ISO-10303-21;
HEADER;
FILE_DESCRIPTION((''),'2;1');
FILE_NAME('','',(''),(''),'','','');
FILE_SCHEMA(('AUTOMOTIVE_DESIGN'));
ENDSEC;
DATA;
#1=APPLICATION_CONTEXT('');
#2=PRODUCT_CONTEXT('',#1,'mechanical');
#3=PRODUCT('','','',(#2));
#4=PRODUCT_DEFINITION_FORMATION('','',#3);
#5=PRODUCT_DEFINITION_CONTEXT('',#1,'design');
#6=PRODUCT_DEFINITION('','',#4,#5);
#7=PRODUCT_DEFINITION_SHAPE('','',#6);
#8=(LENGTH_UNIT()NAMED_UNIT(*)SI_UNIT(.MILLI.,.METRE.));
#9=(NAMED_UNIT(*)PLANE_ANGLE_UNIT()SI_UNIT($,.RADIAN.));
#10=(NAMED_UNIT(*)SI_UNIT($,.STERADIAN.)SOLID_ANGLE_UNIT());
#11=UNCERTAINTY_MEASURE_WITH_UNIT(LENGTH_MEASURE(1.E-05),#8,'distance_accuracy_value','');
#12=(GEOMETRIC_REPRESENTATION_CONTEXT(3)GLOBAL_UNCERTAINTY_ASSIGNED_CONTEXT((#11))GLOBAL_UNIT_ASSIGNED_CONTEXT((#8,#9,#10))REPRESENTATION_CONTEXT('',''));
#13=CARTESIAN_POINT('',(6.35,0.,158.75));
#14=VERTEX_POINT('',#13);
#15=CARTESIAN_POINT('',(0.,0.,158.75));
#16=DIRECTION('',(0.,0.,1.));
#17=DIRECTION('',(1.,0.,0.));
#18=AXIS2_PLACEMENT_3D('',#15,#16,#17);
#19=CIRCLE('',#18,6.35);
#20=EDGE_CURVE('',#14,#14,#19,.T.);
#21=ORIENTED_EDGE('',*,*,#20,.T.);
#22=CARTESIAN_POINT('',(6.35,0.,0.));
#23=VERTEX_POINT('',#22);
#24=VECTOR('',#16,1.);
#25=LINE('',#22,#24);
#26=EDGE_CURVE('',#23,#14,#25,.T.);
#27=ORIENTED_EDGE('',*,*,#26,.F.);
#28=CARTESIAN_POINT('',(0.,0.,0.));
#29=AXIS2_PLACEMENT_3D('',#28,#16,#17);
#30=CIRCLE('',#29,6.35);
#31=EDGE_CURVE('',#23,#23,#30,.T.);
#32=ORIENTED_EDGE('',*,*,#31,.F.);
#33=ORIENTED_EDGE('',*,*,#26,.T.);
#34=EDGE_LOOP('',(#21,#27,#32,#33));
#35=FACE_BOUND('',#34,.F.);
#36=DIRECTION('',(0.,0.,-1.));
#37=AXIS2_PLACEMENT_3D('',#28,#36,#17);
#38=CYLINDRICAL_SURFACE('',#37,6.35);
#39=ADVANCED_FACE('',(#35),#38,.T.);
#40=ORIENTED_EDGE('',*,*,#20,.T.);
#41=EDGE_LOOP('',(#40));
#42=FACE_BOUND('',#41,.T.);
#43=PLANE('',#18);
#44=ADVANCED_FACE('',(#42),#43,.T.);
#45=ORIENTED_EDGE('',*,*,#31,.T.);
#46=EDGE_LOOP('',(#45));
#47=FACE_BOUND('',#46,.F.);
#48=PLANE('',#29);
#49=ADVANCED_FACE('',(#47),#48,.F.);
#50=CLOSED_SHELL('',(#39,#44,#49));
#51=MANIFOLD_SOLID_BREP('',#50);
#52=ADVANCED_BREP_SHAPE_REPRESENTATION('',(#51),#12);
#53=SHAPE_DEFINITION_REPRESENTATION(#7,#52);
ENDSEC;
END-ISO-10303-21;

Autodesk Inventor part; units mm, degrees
ref_plane "YZ Plane" through (0, 0, 0) normal (1, 0, 0) x (0, 1, 0)
ref_plane "XZ Plane" through (0, 0, 0) normal (0, 1, 0) x (-1, 0, 0)
ref_plane "XY Plane" through (0, 0, 0) normal (0, 0, 1) x (1, 0, 0)
sketch "Sketch1" plane through (0, 0, 0) normal (0, 0, 1) x (1, 0, 0)
  circle A0 centre (0, 0) radius 6.35
  dimension "d0" = 12.7
  dimension "d0" = 12.7
extrude "Extrusion1" add sketch "Sketch1" along normal blind 158.75
properties part number "Axle_Shooter_8in" material "Steel"
